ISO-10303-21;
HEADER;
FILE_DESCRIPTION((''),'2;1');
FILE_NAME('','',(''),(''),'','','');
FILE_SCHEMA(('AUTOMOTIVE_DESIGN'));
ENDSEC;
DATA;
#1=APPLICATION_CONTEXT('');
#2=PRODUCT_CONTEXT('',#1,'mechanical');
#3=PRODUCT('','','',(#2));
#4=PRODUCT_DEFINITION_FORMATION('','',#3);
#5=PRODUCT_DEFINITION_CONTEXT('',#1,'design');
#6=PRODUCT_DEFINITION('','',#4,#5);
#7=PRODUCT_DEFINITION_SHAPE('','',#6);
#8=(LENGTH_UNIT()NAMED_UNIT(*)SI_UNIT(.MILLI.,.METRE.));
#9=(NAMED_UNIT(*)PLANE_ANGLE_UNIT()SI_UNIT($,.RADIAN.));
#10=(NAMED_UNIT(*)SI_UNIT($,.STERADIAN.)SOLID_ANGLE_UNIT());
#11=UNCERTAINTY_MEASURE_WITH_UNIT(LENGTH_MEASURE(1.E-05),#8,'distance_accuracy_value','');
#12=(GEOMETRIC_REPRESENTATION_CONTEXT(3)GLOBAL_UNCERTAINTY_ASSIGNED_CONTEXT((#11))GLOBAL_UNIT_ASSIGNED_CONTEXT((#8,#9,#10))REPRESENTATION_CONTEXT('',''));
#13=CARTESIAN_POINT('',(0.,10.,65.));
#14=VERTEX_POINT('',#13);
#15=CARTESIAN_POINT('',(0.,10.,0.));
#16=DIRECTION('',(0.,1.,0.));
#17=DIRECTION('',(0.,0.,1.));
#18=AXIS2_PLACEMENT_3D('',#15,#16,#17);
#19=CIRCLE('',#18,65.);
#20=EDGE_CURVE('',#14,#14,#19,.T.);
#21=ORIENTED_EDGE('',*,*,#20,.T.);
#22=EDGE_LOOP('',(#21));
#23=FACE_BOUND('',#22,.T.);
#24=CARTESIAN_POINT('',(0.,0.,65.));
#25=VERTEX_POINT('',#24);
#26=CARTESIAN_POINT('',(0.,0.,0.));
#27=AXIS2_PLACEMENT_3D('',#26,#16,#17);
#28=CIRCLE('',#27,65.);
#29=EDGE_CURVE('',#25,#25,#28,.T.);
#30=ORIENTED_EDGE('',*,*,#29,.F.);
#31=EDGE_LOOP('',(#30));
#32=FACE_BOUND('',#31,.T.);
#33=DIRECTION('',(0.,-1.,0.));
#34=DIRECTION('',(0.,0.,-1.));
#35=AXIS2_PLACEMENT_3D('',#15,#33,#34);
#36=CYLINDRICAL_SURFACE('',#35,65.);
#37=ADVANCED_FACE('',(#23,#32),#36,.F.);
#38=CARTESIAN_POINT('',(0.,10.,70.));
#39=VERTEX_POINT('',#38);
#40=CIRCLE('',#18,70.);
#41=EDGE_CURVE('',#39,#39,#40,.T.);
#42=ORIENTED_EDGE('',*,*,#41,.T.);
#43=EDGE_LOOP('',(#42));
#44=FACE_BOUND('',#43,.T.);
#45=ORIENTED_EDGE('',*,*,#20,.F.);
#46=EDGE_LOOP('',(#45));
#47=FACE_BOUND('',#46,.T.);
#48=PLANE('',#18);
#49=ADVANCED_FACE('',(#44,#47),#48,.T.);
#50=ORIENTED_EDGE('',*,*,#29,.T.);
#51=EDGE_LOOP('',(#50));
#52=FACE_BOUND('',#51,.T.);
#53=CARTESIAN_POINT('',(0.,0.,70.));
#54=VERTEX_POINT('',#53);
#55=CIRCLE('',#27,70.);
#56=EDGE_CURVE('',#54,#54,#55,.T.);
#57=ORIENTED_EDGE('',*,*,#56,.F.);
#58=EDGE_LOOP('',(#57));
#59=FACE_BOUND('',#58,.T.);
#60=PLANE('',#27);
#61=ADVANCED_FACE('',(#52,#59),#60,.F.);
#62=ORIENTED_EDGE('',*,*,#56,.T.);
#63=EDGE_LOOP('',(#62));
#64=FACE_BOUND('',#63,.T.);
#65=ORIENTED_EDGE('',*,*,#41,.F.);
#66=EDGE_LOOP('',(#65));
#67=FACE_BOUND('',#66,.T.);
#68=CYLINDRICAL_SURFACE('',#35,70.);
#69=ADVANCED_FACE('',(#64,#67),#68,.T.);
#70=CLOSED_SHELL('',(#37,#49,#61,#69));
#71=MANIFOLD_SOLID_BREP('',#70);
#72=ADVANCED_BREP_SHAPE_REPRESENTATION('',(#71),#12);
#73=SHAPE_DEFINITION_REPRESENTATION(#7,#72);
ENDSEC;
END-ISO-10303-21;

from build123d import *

# Parameters (mm, degrees)
IZIM1_R                     = 70
IZIM1_R_2                   = 65
Y_KSEKLIK_EKSTR_ZYON1_DEPTH = 10


with BuildPart() as part:
    # Çizim1 → Yükseklik-Ekstrüzyon1 (new body)
    with BuildSketch(Plane(origin=(0, 0, 0), x_dir=(1, 0, 0), z_dir=(0, 1, 0))):
        with Locations(Location((0, 0, 0), (0, 0, 270))):
            Circle(IZIM1_R)
        with Locations(Location((0, 0, 0), (0, 0, 270))):
            Circle(IZIM1_R_2, mode=Mode.SUBTRACT)
    extrude(amount=Y_KSEKLIK_EKSTR_ZYON1_DEPTH)


solid = part.part
